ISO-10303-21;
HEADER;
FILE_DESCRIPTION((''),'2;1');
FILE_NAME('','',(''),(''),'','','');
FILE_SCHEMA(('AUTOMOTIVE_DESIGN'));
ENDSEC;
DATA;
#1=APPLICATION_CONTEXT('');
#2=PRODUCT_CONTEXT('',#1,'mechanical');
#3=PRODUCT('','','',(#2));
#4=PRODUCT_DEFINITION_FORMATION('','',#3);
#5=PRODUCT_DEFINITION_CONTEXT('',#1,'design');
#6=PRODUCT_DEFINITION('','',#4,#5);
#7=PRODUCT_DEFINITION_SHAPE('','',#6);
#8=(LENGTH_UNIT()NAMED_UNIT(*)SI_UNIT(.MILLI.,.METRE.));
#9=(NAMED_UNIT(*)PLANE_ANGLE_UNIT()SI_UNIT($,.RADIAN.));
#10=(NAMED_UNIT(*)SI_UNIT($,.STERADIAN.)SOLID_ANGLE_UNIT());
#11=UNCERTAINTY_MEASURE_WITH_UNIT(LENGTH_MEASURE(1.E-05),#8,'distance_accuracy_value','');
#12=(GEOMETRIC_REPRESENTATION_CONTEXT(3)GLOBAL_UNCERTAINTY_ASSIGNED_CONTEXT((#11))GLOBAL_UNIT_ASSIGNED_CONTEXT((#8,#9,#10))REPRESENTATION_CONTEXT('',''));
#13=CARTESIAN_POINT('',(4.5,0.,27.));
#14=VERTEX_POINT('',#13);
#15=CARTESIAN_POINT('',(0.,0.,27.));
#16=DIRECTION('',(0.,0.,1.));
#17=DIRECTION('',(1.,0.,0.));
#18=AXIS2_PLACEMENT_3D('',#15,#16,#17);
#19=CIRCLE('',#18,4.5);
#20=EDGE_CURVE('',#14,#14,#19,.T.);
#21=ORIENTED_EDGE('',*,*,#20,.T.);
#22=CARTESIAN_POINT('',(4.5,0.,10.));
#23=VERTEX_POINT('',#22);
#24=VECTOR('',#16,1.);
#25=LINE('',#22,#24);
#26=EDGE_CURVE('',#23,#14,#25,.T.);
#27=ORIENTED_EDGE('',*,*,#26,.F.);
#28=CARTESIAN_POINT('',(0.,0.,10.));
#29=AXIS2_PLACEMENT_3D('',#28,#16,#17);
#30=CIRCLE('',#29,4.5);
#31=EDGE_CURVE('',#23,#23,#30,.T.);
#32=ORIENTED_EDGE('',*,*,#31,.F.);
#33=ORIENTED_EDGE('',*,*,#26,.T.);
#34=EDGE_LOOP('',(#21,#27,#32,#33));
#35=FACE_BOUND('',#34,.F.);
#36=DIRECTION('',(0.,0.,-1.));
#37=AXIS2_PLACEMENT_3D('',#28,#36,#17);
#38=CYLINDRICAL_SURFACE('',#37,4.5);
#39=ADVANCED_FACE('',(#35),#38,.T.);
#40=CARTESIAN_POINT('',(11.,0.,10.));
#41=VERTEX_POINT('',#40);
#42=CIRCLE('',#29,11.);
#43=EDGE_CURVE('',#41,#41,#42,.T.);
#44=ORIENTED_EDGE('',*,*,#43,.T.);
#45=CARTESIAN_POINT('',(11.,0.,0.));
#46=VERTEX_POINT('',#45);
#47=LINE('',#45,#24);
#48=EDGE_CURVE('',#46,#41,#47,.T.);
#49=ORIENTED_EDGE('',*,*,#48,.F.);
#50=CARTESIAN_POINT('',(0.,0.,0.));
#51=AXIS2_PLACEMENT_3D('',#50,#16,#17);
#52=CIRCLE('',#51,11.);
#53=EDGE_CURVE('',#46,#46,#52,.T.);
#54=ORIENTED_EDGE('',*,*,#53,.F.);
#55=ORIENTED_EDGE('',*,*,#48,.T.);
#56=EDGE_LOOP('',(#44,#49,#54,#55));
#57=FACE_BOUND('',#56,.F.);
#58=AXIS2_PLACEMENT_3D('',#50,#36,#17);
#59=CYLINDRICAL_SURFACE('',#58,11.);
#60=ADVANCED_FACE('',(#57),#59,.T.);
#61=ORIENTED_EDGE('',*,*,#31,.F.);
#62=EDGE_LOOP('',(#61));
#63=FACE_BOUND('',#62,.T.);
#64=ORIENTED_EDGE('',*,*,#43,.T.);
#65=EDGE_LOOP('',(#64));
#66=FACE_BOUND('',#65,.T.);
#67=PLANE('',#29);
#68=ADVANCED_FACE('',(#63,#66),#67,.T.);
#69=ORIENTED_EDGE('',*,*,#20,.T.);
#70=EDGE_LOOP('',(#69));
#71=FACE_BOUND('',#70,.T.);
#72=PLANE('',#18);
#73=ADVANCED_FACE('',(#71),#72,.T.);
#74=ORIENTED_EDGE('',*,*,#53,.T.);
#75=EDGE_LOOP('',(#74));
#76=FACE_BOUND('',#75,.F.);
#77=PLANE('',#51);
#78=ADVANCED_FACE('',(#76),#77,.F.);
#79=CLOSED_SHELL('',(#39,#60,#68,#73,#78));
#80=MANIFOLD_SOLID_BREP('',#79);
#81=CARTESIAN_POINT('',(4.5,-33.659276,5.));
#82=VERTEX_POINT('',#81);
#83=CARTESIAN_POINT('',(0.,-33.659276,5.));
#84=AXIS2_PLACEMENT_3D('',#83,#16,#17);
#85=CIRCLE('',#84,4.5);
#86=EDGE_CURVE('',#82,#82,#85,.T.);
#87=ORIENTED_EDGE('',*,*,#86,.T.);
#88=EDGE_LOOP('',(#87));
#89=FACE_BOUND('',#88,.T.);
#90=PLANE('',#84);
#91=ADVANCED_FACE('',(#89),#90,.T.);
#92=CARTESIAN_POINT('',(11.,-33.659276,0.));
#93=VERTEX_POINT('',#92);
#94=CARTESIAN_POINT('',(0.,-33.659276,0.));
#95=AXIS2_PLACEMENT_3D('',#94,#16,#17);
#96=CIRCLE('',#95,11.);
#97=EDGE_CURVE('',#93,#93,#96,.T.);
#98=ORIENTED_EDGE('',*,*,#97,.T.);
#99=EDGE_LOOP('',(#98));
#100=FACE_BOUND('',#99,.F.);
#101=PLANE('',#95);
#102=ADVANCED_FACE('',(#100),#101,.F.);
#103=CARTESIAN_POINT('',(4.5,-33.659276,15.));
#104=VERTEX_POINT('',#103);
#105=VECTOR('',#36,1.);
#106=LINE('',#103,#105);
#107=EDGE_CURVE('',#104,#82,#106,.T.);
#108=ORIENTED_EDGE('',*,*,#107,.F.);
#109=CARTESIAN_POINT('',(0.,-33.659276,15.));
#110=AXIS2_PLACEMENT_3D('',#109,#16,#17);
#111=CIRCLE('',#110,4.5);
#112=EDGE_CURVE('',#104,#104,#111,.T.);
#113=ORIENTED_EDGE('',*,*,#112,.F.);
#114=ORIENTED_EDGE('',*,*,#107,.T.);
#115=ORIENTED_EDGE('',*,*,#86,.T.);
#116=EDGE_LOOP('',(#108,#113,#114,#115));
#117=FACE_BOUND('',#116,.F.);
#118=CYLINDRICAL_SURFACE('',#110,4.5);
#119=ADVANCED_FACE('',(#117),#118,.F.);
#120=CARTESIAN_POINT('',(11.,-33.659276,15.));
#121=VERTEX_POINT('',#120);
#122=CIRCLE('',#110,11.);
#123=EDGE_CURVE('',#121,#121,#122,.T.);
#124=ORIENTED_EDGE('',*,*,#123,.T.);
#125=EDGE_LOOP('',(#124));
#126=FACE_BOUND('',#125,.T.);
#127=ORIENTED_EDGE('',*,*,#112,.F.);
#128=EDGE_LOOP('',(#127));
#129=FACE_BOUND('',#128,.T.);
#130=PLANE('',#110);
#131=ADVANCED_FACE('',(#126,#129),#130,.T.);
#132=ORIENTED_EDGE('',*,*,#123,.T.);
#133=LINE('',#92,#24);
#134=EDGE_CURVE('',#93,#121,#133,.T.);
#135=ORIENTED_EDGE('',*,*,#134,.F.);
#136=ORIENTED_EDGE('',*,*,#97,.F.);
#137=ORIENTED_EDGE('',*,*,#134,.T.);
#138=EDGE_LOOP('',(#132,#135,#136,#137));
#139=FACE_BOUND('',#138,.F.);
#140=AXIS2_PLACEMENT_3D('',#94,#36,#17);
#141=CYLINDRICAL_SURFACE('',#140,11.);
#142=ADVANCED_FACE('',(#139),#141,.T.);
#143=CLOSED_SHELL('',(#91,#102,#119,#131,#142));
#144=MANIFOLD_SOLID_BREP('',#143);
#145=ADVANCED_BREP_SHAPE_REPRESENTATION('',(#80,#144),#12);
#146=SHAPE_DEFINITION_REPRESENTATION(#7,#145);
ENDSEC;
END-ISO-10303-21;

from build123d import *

# Parameters (mm, degrees)
F0_R     = 11
F1_DEPTH = 10
F2_R     = 4.5
F3_DEPTH = 17
F4_R     = 11
F5_DEPTH = 15
F6_R     = 4.5
F7_DEPTH = 10


with BuildPart() as f1:
    # F0 (on Top) → F1 (new body)
    with BuildSketch(Plane.XY):
        Circle(F0_R)
    extrude(amount=F1_DEPTH)

    # F2 (on face) → F3 (join)
    with BuildSketch(Plane.XY.offset(10)):
        Circle(F2_R)
    extrude(amount=F3_DEPTH)


with BuildPart() as f5:
    # F4 (on Top) → F5 (new body)
    with BuildSketch(Plane.XY):
        with Locations((0, -33.659276)):
            Circle(F4_R)
    extrude(amount=F5_DEPTH)

    # F6 (on face) → F7 (cut)
    with BuildSketch(Plane.XY.offset(15)):
        with Locations((0, -33.659276)):
            Circle(F6_R)
    extrude(amount=-F7_DEPTH, mode=Mode.SUBTRACT)


solid = Compound([f1.part, f5.part])
